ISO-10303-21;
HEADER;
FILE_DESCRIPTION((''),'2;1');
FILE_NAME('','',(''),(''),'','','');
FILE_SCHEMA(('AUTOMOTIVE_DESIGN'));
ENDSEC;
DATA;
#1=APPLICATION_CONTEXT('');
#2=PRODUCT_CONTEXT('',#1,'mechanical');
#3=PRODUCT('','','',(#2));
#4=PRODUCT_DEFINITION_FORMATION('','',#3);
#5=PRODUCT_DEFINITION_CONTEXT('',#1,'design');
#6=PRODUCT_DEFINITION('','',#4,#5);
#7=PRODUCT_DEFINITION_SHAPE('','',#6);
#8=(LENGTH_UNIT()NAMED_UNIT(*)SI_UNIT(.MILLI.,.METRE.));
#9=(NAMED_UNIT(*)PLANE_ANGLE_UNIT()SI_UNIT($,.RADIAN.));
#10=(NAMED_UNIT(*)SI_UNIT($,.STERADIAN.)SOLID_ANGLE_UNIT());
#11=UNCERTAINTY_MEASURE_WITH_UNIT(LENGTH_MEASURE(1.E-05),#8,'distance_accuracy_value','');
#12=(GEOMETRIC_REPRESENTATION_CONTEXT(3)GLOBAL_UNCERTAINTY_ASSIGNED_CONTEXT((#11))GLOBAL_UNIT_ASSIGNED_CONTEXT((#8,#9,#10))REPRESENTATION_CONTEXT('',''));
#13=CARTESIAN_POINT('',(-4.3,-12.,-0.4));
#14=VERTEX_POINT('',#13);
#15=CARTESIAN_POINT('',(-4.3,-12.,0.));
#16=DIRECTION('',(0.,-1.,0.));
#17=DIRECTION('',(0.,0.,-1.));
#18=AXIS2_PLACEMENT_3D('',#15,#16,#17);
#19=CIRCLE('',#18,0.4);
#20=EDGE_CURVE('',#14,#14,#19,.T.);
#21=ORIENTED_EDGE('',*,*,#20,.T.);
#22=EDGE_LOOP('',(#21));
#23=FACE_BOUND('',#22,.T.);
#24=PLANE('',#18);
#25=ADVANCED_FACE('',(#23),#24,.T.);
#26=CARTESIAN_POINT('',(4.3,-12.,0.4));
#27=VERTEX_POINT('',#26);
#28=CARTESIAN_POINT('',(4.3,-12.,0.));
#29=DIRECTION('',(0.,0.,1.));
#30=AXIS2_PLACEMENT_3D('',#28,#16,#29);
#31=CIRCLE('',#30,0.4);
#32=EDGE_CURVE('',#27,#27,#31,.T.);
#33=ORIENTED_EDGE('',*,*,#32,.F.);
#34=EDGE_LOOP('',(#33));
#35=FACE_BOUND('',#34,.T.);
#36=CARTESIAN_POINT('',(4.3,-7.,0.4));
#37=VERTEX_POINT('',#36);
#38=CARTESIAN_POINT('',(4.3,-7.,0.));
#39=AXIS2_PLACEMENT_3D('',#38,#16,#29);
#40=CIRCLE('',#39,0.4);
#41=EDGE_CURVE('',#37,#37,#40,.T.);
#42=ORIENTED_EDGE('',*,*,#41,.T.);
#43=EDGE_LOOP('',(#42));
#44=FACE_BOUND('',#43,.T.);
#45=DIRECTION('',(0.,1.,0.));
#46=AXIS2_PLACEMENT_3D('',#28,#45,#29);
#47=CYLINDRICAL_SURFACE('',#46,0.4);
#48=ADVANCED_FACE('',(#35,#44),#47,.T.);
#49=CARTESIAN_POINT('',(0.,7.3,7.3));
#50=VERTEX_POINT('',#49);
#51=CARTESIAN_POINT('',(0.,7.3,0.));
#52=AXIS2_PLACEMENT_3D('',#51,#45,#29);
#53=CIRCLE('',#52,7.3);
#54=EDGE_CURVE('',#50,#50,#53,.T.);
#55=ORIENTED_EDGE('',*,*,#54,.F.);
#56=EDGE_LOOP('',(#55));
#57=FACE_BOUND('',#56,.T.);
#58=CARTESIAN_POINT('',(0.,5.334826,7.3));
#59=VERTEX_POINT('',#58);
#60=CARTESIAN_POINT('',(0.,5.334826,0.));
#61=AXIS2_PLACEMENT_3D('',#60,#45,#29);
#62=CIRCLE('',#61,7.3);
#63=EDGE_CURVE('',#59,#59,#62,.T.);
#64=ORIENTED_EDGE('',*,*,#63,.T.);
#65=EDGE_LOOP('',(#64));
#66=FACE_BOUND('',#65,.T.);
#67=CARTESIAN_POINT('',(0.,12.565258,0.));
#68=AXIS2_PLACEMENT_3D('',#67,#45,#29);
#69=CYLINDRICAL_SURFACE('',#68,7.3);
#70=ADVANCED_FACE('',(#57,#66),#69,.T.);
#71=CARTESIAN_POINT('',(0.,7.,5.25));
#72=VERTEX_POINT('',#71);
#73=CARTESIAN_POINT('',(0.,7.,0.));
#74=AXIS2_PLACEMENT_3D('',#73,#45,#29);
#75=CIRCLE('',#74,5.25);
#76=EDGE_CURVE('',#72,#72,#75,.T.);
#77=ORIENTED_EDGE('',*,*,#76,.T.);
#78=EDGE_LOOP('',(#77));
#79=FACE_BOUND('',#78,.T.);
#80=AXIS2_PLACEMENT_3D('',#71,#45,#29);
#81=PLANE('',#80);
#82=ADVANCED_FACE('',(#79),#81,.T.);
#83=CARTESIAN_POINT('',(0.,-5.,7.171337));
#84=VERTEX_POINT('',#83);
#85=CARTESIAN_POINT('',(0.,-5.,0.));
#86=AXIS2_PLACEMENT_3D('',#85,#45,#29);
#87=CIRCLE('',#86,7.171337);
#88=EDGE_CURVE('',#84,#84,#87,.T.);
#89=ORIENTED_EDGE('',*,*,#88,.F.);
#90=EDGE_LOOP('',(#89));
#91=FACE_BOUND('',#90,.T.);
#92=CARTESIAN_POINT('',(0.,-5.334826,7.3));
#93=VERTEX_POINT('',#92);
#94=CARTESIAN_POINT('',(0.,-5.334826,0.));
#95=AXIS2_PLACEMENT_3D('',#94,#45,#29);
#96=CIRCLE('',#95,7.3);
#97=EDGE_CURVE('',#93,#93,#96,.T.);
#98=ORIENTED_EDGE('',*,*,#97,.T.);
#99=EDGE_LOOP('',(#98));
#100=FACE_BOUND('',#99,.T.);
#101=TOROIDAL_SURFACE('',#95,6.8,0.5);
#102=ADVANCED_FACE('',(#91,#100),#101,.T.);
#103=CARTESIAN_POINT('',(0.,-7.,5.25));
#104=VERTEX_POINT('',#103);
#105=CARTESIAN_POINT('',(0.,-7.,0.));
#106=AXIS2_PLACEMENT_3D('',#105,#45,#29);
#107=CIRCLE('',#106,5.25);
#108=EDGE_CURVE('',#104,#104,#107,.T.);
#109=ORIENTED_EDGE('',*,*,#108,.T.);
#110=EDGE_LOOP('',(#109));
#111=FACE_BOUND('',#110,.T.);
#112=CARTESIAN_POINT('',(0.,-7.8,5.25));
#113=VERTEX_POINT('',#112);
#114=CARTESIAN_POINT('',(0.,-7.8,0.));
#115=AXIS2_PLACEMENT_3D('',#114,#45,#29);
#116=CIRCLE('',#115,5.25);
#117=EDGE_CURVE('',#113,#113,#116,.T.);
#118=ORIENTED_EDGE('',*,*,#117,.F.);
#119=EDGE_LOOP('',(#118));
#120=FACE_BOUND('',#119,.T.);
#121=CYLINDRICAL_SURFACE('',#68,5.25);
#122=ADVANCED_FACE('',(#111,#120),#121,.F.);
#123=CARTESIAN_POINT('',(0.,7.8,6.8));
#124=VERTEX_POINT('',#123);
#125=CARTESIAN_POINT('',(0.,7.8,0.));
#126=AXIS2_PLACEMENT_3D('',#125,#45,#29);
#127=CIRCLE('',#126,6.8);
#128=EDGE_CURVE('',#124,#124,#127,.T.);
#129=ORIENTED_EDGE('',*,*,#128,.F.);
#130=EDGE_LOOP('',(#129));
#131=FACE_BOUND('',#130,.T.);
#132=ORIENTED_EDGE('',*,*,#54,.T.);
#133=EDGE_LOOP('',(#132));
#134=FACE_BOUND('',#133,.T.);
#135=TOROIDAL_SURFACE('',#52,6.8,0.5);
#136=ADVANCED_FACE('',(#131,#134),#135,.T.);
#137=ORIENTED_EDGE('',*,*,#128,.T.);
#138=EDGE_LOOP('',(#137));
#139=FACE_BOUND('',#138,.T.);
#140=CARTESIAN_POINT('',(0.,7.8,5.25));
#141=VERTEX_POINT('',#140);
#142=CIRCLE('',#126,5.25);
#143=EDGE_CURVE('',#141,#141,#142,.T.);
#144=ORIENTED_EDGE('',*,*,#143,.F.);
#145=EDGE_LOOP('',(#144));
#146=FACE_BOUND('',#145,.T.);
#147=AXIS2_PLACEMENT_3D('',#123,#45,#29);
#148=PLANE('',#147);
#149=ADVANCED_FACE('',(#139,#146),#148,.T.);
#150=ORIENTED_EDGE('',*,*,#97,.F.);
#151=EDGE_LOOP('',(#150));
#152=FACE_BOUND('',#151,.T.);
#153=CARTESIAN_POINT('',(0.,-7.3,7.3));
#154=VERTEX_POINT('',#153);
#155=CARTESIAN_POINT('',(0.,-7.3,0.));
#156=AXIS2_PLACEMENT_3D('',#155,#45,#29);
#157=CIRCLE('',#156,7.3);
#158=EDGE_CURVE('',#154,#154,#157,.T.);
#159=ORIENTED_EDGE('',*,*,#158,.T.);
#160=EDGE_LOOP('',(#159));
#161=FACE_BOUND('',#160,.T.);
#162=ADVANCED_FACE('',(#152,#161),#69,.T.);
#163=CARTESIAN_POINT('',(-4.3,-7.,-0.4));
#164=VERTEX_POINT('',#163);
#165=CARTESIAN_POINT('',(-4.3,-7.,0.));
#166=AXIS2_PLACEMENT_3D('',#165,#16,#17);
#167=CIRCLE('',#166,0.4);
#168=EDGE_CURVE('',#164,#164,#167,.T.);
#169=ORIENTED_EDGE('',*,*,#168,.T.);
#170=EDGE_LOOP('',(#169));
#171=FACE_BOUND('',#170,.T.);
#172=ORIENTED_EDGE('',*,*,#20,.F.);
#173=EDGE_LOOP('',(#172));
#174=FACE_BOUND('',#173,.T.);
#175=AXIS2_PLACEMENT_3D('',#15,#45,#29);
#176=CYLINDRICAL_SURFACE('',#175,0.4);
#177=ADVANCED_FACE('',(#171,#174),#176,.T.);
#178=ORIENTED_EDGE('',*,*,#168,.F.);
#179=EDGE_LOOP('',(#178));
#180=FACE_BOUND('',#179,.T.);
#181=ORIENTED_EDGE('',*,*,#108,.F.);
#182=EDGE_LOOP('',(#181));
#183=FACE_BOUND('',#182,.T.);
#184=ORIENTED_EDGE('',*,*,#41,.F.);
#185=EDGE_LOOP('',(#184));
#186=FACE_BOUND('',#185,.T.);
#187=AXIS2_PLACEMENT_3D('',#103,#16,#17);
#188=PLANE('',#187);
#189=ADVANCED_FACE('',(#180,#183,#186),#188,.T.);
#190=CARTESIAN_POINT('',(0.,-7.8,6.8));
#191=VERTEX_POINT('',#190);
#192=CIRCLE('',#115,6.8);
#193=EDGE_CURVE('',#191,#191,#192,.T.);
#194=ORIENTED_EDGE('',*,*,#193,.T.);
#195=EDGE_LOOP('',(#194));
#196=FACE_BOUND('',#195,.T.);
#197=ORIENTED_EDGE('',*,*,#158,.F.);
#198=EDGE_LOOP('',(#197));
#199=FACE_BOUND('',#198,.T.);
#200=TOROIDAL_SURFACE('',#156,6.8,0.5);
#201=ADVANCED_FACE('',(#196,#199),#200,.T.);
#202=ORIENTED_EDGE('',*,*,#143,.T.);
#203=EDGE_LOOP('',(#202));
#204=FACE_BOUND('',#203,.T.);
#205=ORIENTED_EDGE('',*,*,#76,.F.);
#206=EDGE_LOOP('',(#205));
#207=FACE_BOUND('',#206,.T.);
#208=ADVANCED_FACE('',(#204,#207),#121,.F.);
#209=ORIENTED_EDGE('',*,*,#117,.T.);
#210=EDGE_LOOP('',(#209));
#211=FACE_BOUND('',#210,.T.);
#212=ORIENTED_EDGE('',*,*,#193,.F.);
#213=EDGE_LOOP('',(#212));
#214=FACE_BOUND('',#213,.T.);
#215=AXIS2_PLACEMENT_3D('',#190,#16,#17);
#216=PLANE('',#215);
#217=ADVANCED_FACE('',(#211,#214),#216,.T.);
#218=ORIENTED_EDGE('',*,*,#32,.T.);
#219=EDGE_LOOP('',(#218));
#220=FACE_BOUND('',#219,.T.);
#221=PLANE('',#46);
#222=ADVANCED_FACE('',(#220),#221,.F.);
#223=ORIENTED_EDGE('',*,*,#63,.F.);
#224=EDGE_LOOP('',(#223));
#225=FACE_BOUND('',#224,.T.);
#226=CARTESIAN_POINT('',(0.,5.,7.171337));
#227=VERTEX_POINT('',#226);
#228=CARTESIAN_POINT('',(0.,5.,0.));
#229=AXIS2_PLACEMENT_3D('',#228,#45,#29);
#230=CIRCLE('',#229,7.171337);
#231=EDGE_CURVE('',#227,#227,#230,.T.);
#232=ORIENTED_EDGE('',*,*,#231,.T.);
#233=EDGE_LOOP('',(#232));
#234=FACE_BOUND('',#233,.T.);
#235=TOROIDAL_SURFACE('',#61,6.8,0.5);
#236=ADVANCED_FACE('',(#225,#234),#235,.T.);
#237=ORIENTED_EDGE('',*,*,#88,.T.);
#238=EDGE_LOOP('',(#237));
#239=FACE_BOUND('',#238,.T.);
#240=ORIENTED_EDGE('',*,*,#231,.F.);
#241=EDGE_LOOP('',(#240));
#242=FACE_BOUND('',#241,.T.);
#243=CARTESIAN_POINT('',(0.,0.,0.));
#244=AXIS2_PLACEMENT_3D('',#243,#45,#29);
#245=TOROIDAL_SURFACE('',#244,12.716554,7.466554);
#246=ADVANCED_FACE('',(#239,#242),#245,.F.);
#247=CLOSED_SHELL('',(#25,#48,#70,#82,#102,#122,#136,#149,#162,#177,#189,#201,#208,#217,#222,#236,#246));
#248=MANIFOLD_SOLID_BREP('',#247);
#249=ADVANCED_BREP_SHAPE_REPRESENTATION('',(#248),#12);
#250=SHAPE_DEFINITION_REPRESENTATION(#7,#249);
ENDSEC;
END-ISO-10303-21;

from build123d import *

# Parameters (mm, degrees)
SKETCH3_R           = 0.4
BOSS_EXTRUDE1_DEPTH = 5


with BuildPart() as part:
    # Sketch1 → Revolve1 (revolve)
    with BuildSketch(Plane(origin=(0, 0, 0), x_dir=(0, 0, -1), z_dir=(1, 0, 0))):
        with BuildLine():
            Line((-7.3, 7.3), (-7.3, 5.33482646))
            ThreePointArc((-7.3, 5.33482646), (-7.266727196, 5.155478404), (-7.1713371, 5))
            ThreePointArc((-7.1713371, 5), (-5.25, 0), (-7.1713371, -5))
            ThreePointArc((-7.1713371, -5), (-7.266727196, -5.155478404), (-7.3, -5.33482646))
            Line((-7.3, -5.33482646), (-7.3, -7.3))
            ThreePointArc((-7.3, -7.3), (-7.153553391, -7.653553391), (-6.8, -7.8))
            Line((-6.8, -7.8), (-5.25, -7.8))
            Line((-5.25, -7.8), (-5.25, -7))
            Line((-5.25, -7), (0, -7))
            Line((0, -7), (0, 7))
            Line((0, 7), (-5.25, 7))
            Line((-5.25, 7), (-5.25, 7.8))
            Line((-5.25, 7.8), (-6.8, 7.8))
            ThreePointArc((-6.8, 7.8), (-7.153553391, 7.653553391), (-7.3, 7.3))
        make_face()
    revolve(axis=Axis((0, 12.565257793, 0), (0, -1, 0)))

    # Sketch3 → Boss-Extrude1 (add)
    with BuildSketch(Plane.XZ.offset(7)):
        with Locations(Location((-4.3, 0, 0), (0, 0, 270))):
            Circle(SKETCH3_R)
        with Locations(Location((4.3, 0, 0), (0, 0, 90))):
            Circle(SKETCH3_R)
    extrude(amount=BOSS_EXTRUDE1_DEPTH)


solid = part.part
